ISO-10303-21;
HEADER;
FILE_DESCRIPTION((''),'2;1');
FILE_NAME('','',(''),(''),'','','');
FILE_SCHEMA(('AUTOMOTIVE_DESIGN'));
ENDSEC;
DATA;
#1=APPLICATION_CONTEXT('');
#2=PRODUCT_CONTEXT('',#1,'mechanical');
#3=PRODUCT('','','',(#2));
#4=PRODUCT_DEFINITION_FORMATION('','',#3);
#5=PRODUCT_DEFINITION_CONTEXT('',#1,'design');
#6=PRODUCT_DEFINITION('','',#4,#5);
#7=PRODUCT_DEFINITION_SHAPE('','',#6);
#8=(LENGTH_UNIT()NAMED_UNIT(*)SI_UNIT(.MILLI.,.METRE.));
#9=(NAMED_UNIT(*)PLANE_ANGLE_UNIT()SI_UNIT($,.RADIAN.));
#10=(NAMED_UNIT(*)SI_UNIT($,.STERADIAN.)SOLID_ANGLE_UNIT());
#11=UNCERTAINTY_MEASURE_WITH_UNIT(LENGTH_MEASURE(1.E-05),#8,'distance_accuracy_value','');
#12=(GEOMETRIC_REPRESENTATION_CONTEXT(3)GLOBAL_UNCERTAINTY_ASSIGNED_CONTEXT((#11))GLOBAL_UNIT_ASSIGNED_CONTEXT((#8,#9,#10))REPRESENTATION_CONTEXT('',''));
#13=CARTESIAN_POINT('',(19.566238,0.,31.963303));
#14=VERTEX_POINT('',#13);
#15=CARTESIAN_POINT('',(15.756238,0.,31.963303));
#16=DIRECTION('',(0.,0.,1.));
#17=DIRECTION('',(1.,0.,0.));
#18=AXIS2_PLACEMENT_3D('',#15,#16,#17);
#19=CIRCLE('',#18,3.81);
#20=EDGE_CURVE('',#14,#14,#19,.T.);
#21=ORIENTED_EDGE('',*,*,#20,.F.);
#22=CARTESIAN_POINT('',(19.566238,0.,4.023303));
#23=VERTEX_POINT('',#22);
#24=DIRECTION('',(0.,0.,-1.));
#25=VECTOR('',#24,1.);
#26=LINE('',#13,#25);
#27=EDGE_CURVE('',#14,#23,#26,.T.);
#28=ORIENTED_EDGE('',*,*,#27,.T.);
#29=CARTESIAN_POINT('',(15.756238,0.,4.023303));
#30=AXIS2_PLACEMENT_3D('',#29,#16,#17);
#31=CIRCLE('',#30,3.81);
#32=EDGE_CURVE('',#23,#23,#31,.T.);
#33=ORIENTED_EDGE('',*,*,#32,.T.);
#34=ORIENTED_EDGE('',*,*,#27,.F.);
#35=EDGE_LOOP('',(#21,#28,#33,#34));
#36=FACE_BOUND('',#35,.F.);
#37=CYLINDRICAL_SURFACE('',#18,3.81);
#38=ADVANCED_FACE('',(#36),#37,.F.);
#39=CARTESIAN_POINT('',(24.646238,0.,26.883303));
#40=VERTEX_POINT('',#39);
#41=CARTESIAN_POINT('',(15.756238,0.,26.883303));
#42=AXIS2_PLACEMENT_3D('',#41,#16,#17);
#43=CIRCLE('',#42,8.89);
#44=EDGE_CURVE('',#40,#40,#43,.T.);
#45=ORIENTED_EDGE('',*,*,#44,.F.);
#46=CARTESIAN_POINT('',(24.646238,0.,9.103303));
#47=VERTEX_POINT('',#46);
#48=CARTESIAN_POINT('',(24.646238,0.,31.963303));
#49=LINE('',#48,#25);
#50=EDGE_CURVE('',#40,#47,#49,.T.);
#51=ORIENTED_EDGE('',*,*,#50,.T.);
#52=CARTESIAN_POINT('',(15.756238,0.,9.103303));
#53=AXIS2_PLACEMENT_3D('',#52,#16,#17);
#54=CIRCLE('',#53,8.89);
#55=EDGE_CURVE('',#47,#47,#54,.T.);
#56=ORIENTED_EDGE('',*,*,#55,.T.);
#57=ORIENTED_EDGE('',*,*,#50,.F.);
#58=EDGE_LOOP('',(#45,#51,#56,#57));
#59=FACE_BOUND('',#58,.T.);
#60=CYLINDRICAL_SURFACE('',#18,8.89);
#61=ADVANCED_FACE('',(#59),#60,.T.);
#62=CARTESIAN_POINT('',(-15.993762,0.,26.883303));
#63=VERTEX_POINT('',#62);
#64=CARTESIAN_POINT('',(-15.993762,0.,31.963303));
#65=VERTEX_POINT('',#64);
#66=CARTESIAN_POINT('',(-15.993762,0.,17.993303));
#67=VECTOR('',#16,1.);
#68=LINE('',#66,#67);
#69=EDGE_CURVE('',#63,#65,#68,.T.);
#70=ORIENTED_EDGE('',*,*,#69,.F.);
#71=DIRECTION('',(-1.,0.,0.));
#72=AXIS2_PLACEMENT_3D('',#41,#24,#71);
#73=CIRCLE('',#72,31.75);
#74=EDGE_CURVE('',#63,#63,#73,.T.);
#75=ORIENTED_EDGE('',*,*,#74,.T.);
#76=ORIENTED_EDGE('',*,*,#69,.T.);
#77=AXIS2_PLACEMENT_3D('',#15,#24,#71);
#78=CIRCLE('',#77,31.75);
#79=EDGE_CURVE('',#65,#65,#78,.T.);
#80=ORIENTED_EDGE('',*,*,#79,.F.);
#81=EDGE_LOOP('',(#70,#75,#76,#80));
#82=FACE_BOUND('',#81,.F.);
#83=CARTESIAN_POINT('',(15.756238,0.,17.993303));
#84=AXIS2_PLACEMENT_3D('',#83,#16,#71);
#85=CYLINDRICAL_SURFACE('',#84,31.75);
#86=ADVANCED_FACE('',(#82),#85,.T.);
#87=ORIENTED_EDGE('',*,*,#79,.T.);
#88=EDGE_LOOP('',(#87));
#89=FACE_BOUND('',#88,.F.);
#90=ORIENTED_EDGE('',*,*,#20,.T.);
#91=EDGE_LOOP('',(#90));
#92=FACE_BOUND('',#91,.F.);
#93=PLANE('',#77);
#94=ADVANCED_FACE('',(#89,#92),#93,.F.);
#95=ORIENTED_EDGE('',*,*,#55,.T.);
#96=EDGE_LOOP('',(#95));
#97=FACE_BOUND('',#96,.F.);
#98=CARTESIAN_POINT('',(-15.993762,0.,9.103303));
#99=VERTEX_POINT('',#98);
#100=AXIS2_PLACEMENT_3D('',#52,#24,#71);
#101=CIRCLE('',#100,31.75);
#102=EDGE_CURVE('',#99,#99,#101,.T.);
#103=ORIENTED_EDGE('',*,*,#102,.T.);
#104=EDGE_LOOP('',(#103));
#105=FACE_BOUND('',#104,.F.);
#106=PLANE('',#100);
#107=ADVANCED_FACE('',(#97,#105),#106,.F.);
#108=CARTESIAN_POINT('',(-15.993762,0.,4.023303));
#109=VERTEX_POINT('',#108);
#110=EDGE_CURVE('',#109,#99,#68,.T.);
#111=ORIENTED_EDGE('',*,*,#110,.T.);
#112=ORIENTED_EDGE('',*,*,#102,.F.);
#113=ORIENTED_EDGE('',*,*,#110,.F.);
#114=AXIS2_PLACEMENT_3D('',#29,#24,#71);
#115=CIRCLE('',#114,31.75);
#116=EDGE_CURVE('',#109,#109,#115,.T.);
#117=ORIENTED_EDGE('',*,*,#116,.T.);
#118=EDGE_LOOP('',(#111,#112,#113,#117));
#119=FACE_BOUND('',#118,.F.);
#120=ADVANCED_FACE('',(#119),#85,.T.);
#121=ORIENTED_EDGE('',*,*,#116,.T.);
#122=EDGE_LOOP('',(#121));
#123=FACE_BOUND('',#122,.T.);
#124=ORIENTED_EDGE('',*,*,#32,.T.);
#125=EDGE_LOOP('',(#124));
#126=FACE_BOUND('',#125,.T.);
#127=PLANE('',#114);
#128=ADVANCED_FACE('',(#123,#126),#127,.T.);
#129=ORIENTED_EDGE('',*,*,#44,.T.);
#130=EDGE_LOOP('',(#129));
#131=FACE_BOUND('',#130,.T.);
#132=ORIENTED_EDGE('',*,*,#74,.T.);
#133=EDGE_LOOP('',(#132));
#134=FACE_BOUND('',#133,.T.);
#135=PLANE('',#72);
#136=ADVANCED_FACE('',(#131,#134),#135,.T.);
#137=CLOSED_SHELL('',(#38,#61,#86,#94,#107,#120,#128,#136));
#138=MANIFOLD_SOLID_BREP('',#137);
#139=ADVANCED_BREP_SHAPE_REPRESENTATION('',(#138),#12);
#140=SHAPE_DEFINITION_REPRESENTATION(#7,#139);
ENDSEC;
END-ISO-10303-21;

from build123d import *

# Parameters (mm, degrees)
F0_W     = 31.75
F0_H     = 27.94
F2_R     = 3.81
F3_DEPTH = 70.2046528459
F4_T     = -5.08


with BuildPart() as f1:
    # F0 (on Front) → F1 (revolve)
    with BuildSketch(Plane.XZ):
        with Locations((-0.1187622547, 17.9933030483)):
            Rectangle(F0_W, F0_H)
    revolve(axis=Axis((15.7562377453, 0, 17.9933030483), (0, 0, -1)))

    # F2 (on face) → F3 (cut)
    with BuildSketch(Plane.XY.offset(31.9633030483)):
        with Locations((15.7562377453, 0)):
            Circle(F2_R)
    extrude(amount=-F3_DEPTH, mode=Mode.SUBTRACT)

    # F4
    f4_openings = [f1.faces().sort_by_distance(p)[0] for p in [
        (47.506238, 0, 17.993303),
    ]]
    offset(amount=F4_T, openings=f4_openings)


solid = f1.part
